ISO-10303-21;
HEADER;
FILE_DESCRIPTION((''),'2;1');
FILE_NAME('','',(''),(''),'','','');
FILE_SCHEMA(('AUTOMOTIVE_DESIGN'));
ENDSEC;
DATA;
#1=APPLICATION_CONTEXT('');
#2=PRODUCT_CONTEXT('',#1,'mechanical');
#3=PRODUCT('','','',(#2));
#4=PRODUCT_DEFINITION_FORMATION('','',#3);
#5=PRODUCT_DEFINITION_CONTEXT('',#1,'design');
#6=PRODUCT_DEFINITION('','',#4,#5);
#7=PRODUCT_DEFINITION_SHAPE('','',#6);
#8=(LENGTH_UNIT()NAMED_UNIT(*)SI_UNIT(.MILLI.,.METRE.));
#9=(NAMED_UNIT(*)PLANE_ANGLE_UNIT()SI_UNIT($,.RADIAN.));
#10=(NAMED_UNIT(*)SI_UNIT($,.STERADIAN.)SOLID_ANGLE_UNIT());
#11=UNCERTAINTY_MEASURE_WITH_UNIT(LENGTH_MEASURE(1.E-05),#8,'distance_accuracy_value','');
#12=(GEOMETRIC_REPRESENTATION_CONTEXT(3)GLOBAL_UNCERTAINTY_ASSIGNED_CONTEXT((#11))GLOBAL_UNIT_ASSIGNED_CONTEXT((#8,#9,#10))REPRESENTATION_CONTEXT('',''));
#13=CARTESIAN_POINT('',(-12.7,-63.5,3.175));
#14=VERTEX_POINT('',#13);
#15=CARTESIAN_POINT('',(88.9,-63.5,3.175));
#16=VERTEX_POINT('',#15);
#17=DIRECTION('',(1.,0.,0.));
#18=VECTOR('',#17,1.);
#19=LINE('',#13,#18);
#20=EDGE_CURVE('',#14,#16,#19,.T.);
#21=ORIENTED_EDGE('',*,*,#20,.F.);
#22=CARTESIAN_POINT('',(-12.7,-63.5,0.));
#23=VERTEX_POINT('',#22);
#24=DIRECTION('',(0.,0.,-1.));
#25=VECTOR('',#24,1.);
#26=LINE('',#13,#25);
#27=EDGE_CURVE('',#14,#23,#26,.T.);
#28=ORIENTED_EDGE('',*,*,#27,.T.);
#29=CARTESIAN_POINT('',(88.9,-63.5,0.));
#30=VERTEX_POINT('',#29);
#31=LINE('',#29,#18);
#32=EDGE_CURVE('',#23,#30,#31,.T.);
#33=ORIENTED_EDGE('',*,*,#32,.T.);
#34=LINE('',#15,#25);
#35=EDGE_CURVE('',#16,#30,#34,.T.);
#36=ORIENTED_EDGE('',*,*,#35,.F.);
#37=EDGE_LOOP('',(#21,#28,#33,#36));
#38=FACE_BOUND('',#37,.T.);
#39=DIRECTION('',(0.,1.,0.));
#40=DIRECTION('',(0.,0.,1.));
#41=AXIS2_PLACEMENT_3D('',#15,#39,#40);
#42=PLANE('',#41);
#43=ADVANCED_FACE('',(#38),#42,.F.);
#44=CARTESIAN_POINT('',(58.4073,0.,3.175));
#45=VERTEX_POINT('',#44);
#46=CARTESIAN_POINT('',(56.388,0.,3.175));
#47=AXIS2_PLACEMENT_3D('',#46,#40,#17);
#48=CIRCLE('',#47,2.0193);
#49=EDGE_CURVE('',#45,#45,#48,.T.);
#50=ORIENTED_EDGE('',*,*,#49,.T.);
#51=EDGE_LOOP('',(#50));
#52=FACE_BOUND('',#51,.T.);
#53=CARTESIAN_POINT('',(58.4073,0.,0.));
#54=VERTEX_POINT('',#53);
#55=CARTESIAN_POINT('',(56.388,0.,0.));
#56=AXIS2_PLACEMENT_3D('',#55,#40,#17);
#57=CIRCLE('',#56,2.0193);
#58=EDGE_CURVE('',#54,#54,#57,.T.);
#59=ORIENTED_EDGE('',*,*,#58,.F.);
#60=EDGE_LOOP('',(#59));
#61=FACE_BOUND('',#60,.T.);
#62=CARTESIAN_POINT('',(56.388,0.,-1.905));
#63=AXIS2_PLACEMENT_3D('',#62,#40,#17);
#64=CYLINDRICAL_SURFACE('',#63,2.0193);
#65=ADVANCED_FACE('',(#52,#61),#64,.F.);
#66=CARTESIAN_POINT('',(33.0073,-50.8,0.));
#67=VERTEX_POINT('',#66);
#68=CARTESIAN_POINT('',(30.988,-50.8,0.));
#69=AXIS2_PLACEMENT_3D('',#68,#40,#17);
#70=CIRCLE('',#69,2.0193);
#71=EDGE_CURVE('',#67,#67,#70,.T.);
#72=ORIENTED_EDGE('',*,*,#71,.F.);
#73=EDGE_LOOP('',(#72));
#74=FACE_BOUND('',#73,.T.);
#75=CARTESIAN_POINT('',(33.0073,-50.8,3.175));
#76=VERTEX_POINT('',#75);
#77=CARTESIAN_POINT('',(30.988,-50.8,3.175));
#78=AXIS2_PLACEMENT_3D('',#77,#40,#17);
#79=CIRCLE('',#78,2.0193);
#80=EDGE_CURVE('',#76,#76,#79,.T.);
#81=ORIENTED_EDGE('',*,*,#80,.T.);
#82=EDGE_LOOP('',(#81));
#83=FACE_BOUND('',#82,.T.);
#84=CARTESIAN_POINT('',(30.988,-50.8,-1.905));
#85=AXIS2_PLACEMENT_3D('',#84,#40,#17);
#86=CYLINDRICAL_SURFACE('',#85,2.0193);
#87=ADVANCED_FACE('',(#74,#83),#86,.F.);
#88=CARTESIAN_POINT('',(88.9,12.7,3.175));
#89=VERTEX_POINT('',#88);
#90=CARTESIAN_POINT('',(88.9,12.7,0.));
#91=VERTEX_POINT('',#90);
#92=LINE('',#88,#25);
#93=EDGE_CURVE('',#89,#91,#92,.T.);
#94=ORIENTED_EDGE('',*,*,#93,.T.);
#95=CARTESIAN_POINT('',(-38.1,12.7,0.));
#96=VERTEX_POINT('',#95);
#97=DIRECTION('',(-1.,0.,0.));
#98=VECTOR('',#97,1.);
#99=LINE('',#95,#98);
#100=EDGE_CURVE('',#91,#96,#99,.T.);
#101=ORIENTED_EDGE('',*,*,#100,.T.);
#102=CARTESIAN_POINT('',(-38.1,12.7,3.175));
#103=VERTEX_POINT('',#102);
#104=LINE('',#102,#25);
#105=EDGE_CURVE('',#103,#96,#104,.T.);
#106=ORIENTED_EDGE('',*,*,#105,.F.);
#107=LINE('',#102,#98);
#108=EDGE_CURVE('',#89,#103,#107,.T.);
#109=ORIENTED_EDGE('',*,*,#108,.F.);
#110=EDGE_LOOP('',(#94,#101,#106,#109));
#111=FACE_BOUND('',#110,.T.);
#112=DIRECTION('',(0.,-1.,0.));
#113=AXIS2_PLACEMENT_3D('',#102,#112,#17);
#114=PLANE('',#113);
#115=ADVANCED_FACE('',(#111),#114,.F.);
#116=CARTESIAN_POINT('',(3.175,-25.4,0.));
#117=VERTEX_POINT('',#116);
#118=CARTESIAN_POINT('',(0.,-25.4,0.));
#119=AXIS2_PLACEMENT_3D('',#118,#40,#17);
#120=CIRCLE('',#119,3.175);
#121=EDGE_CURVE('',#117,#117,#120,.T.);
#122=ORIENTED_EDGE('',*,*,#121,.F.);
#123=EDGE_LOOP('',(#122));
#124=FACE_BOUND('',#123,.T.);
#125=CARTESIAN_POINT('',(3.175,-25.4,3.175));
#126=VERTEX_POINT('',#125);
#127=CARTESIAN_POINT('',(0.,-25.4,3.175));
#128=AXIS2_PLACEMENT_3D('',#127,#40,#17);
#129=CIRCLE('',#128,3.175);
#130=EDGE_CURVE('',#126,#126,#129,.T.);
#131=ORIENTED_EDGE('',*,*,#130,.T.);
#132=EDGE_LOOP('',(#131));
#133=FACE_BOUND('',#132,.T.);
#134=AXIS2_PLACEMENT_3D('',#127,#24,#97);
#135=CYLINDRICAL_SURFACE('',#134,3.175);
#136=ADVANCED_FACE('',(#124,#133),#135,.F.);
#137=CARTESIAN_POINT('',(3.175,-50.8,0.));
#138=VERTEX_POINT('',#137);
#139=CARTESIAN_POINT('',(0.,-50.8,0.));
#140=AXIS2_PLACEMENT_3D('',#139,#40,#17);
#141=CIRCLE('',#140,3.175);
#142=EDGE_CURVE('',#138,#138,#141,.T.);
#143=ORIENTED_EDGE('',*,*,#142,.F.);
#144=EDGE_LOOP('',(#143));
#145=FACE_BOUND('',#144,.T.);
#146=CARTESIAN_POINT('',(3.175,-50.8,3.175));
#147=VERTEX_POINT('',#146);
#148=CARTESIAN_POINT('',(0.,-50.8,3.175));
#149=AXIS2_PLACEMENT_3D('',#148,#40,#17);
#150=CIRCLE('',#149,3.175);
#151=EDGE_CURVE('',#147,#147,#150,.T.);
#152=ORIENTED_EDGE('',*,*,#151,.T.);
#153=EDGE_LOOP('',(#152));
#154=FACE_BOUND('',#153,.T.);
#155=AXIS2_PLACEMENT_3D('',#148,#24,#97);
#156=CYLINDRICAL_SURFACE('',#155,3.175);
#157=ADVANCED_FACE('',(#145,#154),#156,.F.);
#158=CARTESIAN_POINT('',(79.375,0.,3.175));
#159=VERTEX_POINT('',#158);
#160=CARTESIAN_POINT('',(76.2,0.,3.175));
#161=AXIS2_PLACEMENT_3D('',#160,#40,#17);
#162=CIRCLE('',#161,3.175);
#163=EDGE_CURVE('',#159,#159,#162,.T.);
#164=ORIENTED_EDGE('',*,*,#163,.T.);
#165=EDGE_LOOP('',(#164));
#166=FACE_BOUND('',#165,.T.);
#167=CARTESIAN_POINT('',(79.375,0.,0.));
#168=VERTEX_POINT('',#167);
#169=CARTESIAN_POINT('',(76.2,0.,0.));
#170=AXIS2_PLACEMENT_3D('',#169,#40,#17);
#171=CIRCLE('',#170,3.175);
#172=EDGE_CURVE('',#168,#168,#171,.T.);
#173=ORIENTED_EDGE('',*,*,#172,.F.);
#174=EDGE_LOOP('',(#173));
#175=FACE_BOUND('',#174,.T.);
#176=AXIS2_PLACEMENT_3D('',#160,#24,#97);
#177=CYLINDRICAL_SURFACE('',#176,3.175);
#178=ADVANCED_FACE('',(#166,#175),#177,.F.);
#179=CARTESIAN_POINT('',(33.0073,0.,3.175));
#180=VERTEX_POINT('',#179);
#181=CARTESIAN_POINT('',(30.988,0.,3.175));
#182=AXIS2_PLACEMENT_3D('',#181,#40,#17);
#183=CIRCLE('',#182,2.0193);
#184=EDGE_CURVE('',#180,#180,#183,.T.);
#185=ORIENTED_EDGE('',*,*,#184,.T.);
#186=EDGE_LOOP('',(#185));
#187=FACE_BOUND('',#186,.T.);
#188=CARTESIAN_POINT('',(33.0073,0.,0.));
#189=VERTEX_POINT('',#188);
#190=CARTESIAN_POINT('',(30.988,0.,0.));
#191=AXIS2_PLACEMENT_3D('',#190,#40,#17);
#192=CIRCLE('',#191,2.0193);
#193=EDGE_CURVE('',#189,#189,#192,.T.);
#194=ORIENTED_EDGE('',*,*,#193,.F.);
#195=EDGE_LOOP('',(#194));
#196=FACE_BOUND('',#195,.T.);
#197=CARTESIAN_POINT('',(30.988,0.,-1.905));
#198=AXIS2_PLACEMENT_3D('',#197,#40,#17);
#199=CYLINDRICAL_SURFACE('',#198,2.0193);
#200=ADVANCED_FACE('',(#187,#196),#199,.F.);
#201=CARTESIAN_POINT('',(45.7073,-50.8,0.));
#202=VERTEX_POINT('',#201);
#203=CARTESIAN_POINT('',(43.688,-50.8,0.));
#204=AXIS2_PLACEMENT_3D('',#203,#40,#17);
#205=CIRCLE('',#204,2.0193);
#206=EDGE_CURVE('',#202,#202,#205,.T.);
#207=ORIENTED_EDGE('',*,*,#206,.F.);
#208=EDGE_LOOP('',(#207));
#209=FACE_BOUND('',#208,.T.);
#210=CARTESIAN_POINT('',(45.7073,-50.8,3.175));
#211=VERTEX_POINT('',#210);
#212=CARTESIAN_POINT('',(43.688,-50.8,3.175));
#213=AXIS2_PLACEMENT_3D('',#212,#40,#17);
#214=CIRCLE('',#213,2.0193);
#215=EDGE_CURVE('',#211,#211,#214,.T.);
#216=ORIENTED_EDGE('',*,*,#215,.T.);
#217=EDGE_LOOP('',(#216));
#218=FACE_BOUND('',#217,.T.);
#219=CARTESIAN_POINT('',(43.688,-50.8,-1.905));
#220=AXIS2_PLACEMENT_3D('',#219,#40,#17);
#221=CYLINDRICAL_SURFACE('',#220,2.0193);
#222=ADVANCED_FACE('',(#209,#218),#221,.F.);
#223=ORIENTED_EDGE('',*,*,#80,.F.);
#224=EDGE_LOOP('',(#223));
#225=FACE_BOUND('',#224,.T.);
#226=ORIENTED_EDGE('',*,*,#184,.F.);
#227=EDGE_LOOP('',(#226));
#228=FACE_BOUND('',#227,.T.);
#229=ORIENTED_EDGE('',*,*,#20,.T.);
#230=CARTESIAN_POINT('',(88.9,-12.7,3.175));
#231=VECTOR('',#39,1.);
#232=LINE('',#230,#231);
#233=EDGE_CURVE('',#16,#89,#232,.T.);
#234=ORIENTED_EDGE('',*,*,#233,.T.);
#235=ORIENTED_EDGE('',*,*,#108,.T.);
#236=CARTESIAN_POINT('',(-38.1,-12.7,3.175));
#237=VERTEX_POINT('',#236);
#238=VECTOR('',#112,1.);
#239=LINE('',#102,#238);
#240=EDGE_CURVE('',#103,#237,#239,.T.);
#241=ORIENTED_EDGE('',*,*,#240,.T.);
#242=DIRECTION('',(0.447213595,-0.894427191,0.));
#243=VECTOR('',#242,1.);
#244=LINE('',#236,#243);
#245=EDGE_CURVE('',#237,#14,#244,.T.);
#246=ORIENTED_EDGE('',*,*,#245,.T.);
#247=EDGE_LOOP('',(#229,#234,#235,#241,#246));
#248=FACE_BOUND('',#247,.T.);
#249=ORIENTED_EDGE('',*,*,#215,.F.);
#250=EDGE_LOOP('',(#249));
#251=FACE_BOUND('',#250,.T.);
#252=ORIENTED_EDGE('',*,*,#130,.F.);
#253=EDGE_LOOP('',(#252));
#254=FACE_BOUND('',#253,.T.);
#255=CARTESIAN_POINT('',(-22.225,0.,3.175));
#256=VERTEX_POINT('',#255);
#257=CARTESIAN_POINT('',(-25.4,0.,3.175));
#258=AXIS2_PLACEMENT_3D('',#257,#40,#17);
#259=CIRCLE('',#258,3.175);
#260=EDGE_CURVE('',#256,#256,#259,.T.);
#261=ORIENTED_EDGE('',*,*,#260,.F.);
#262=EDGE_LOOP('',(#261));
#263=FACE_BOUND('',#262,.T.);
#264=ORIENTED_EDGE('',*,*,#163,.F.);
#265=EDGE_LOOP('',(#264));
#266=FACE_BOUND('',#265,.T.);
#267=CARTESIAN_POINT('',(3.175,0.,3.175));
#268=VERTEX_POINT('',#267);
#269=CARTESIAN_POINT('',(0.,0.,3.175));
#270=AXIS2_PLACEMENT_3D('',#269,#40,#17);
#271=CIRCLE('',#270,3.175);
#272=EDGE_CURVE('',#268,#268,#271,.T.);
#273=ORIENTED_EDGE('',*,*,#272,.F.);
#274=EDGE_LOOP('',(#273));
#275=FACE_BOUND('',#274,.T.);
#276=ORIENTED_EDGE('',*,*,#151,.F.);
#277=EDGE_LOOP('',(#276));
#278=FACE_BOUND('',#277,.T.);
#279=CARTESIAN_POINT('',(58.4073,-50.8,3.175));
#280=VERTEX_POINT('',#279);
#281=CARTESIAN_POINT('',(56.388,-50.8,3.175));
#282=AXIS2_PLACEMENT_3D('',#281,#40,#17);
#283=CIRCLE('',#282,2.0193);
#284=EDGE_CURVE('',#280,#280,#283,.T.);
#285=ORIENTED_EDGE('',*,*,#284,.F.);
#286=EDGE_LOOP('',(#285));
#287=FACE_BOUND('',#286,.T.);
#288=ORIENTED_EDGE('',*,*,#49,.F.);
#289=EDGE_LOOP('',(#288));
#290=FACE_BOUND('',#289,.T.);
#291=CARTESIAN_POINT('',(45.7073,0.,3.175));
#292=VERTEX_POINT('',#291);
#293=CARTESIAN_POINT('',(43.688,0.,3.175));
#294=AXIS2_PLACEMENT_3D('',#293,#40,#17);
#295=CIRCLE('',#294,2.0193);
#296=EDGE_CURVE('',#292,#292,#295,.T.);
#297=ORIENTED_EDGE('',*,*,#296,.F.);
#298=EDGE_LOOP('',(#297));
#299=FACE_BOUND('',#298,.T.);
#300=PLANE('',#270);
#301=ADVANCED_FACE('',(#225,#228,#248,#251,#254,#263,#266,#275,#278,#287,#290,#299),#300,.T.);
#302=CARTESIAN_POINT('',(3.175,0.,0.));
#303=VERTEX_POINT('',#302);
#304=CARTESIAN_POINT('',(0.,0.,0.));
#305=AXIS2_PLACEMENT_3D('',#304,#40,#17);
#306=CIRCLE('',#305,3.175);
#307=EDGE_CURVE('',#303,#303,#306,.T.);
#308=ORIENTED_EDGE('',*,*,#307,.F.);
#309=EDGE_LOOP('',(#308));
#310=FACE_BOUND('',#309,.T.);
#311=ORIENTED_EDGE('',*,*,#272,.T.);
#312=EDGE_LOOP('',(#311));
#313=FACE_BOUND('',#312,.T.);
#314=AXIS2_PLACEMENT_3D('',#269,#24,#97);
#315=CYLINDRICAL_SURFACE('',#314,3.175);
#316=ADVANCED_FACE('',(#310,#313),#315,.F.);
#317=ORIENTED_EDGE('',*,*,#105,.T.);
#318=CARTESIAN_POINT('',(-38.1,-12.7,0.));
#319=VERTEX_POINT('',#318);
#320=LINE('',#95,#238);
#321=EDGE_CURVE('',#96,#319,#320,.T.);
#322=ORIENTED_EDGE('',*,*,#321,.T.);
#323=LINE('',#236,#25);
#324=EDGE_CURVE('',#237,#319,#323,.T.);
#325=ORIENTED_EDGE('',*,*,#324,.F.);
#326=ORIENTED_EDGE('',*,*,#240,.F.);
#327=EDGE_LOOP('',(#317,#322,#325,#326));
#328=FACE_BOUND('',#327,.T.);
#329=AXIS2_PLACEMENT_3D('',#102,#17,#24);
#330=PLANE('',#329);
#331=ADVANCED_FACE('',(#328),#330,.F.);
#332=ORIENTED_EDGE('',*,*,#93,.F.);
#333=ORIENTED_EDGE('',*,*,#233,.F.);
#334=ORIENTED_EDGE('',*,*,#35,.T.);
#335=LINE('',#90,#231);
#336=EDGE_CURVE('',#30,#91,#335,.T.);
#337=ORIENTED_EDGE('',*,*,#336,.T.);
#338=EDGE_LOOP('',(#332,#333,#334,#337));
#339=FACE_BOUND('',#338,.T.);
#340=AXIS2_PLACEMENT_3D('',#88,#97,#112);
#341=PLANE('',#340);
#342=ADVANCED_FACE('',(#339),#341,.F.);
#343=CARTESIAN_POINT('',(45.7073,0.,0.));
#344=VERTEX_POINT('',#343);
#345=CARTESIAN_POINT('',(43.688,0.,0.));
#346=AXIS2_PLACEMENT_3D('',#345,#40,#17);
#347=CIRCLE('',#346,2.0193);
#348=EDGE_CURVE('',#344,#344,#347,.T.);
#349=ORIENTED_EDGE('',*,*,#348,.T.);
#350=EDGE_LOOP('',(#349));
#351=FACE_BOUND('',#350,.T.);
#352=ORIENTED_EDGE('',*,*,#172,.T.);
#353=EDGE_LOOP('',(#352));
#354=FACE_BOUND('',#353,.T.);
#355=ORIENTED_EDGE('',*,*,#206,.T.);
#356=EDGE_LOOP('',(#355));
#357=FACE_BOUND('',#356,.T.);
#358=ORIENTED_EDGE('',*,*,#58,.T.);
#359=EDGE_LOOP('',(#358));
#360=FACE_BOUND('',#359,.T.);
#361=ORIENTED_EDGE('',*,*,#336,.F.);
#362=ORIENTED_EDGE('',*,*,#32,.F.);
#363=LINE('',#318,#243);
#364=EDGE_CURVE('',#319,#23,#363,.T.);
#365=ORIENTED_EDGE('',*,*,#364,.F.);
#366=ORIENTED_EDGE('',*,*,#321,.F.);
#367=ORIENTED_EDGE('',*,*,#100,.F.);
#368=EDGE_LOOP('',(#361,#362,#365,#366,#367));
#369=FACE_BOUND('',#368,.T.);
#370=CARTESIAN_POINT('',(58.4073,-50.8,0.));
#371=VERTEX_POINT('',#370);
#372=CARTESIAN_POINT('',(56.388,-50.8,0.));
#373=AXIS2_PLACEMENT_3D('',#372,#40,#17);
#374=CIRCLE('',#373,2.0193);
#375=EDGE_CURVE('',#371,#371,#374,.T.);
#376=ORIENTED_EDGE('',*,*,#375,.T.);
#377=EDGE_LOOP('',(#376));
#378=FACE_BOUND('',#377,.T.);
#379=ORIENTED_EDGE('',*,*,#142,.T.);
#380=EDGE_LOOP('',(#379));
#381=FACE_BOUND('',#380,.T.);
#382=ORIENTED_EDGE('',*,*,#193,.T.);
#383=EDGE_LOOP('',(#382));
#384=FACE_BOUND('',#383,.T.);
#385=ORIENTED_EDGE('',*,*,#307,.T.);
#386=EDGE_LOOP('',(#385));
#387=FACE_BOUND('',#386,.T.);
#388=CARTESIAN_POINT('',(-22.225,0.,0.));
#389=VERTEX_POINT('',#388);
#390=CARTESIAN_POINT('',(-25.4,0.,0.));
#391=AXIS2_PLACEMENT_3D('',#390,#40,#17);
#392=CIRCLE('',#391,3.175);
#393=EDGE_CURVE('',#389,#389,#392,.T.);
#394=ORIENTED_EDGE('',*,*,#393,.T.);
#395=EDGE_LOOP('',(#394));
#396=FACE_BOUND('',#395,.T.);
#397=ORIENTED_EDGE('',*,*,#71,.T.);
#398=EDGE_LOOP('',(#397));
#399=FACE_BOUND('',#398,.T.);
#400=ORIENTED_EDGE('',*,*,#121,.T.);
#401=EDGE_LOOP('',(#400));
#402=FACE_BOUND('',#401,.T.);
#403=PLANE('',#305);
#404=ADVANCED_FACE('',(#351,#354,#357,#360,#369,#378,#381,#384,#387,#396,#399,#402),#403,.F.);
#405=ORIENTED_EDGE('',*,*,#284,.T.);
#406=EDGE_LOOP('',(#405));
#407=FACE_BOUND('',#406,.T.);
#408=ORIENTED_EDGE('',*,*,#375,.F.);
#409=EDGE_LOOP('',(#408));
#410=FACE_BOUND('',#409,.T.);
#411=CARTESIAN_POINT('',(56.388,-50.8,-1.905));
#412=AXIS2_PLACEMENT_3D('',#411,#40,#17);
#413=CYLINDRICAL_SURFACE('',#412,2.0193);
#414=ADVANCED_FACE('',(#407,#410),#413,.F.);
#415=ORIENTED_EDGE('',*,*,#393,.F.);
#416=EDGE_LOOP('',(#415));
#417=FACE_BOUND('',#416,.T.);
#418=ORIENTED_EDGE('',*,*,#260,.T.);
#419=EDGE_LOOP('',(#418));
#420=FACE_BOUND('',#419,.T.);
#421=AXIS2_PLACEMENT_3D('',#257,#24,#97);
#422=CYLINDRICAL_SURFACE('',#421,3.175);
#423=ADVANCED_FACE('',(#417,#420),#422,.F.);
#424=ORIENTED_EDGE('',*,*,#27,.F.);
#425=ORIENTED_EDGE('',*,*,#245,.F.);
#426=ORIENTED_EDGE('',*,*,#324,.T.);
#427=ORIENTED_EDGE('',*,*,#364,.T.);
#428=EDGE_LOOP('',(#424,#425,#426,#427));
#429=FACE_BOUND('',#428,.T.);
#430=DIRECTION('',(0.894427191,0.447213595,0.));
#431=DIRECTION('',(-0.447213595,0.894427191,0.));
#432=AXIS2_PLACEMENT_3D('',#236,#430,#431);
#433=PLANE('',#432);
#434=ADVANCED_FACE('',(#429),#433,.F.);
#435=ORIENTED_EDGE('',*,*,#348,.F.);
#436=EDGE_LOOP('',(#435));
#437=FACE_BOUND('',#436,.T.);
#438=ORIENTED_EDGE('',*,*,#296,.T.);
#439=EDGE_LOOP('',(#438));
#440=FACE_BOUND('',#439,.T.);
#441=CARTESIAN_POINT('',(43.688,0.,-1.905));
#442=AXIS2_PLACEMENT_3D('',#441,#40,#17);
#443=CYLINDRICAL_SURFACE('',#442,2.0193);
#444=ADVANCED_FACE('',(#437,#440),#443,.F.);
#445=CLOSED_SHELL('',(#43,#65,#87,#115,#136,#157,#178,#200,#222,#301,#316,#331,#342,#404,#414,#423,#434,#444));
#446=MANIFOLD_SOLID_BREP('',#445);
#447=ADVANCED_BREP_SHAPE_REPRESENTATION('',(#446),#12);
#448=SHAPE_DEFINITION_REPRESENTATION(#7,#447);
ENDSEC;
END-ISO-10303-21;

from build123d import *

# Parameters (mm, degrees)
SKETCH4_R           = 3.175
BOSS_EXTRUDE1_DEPTH = 3.175
SKETCH7_R           = 2.0193
CUT_EXTRUDE4_DEPTH  = 5.08


with BuildPart() as part:
    # Sketch4 → Boss-Extrude1 (new body)
    with BuildSketch(Plane.XY):
        Polygon((-38.1, 12.7), (88.9, 12.7), (88.9, -12.7), (88.9, -63.5), (12.7, -63.5), (-12.7, -63.5), (-38.1, -12.7), align=None)
        with Locations((-25.4, 0)):
            Circle(SKETCH4_R, mode=Mode.SUBTRACT)
        Circle(SKETCH4_R, mode=Mode.SUBTRACT)
        with Locations((0, -25.4)):
            Circle(SKETCH4_R, mode=Mode.SUBTRACT)
        with Locations((0, -50.8)):
            Circle(SKETCH4_R, mode=Mode.SUBTRACT)
        with Locations((76.2, 0)):
            Circle(SKETCH4_R, mode=Mode.SUBTRACT)
    extrude(amount=BOSS_EXTRUDE1_DEPTH)

    # Sketch7 → Cut-Extrude4 (cut)
    with BuildSketch(Plane.XY.offset(3.175)):
        with Locations((30.988, -50.8)):
            Circle(SKETCH7_R)
        with Locations((43.688, -50.8)):
            Circle(SKETCH7_R)
        with Locations((56.388, -50.8)):
            Circle(SKETCH7_R)
        with Locations((56.388, 0)):
            Circle(SKETCH7_R)
        with Locations((30.988, 0)):
            Circle(SKETCH7_R)
        with Locations((43.688, 0)):
            Circle(SKETCH7_R)
    extrude(amount=-CUT_EXTRUDE4_DEPTH, mode=Mode.SUBTRACT)


solid = part.part
